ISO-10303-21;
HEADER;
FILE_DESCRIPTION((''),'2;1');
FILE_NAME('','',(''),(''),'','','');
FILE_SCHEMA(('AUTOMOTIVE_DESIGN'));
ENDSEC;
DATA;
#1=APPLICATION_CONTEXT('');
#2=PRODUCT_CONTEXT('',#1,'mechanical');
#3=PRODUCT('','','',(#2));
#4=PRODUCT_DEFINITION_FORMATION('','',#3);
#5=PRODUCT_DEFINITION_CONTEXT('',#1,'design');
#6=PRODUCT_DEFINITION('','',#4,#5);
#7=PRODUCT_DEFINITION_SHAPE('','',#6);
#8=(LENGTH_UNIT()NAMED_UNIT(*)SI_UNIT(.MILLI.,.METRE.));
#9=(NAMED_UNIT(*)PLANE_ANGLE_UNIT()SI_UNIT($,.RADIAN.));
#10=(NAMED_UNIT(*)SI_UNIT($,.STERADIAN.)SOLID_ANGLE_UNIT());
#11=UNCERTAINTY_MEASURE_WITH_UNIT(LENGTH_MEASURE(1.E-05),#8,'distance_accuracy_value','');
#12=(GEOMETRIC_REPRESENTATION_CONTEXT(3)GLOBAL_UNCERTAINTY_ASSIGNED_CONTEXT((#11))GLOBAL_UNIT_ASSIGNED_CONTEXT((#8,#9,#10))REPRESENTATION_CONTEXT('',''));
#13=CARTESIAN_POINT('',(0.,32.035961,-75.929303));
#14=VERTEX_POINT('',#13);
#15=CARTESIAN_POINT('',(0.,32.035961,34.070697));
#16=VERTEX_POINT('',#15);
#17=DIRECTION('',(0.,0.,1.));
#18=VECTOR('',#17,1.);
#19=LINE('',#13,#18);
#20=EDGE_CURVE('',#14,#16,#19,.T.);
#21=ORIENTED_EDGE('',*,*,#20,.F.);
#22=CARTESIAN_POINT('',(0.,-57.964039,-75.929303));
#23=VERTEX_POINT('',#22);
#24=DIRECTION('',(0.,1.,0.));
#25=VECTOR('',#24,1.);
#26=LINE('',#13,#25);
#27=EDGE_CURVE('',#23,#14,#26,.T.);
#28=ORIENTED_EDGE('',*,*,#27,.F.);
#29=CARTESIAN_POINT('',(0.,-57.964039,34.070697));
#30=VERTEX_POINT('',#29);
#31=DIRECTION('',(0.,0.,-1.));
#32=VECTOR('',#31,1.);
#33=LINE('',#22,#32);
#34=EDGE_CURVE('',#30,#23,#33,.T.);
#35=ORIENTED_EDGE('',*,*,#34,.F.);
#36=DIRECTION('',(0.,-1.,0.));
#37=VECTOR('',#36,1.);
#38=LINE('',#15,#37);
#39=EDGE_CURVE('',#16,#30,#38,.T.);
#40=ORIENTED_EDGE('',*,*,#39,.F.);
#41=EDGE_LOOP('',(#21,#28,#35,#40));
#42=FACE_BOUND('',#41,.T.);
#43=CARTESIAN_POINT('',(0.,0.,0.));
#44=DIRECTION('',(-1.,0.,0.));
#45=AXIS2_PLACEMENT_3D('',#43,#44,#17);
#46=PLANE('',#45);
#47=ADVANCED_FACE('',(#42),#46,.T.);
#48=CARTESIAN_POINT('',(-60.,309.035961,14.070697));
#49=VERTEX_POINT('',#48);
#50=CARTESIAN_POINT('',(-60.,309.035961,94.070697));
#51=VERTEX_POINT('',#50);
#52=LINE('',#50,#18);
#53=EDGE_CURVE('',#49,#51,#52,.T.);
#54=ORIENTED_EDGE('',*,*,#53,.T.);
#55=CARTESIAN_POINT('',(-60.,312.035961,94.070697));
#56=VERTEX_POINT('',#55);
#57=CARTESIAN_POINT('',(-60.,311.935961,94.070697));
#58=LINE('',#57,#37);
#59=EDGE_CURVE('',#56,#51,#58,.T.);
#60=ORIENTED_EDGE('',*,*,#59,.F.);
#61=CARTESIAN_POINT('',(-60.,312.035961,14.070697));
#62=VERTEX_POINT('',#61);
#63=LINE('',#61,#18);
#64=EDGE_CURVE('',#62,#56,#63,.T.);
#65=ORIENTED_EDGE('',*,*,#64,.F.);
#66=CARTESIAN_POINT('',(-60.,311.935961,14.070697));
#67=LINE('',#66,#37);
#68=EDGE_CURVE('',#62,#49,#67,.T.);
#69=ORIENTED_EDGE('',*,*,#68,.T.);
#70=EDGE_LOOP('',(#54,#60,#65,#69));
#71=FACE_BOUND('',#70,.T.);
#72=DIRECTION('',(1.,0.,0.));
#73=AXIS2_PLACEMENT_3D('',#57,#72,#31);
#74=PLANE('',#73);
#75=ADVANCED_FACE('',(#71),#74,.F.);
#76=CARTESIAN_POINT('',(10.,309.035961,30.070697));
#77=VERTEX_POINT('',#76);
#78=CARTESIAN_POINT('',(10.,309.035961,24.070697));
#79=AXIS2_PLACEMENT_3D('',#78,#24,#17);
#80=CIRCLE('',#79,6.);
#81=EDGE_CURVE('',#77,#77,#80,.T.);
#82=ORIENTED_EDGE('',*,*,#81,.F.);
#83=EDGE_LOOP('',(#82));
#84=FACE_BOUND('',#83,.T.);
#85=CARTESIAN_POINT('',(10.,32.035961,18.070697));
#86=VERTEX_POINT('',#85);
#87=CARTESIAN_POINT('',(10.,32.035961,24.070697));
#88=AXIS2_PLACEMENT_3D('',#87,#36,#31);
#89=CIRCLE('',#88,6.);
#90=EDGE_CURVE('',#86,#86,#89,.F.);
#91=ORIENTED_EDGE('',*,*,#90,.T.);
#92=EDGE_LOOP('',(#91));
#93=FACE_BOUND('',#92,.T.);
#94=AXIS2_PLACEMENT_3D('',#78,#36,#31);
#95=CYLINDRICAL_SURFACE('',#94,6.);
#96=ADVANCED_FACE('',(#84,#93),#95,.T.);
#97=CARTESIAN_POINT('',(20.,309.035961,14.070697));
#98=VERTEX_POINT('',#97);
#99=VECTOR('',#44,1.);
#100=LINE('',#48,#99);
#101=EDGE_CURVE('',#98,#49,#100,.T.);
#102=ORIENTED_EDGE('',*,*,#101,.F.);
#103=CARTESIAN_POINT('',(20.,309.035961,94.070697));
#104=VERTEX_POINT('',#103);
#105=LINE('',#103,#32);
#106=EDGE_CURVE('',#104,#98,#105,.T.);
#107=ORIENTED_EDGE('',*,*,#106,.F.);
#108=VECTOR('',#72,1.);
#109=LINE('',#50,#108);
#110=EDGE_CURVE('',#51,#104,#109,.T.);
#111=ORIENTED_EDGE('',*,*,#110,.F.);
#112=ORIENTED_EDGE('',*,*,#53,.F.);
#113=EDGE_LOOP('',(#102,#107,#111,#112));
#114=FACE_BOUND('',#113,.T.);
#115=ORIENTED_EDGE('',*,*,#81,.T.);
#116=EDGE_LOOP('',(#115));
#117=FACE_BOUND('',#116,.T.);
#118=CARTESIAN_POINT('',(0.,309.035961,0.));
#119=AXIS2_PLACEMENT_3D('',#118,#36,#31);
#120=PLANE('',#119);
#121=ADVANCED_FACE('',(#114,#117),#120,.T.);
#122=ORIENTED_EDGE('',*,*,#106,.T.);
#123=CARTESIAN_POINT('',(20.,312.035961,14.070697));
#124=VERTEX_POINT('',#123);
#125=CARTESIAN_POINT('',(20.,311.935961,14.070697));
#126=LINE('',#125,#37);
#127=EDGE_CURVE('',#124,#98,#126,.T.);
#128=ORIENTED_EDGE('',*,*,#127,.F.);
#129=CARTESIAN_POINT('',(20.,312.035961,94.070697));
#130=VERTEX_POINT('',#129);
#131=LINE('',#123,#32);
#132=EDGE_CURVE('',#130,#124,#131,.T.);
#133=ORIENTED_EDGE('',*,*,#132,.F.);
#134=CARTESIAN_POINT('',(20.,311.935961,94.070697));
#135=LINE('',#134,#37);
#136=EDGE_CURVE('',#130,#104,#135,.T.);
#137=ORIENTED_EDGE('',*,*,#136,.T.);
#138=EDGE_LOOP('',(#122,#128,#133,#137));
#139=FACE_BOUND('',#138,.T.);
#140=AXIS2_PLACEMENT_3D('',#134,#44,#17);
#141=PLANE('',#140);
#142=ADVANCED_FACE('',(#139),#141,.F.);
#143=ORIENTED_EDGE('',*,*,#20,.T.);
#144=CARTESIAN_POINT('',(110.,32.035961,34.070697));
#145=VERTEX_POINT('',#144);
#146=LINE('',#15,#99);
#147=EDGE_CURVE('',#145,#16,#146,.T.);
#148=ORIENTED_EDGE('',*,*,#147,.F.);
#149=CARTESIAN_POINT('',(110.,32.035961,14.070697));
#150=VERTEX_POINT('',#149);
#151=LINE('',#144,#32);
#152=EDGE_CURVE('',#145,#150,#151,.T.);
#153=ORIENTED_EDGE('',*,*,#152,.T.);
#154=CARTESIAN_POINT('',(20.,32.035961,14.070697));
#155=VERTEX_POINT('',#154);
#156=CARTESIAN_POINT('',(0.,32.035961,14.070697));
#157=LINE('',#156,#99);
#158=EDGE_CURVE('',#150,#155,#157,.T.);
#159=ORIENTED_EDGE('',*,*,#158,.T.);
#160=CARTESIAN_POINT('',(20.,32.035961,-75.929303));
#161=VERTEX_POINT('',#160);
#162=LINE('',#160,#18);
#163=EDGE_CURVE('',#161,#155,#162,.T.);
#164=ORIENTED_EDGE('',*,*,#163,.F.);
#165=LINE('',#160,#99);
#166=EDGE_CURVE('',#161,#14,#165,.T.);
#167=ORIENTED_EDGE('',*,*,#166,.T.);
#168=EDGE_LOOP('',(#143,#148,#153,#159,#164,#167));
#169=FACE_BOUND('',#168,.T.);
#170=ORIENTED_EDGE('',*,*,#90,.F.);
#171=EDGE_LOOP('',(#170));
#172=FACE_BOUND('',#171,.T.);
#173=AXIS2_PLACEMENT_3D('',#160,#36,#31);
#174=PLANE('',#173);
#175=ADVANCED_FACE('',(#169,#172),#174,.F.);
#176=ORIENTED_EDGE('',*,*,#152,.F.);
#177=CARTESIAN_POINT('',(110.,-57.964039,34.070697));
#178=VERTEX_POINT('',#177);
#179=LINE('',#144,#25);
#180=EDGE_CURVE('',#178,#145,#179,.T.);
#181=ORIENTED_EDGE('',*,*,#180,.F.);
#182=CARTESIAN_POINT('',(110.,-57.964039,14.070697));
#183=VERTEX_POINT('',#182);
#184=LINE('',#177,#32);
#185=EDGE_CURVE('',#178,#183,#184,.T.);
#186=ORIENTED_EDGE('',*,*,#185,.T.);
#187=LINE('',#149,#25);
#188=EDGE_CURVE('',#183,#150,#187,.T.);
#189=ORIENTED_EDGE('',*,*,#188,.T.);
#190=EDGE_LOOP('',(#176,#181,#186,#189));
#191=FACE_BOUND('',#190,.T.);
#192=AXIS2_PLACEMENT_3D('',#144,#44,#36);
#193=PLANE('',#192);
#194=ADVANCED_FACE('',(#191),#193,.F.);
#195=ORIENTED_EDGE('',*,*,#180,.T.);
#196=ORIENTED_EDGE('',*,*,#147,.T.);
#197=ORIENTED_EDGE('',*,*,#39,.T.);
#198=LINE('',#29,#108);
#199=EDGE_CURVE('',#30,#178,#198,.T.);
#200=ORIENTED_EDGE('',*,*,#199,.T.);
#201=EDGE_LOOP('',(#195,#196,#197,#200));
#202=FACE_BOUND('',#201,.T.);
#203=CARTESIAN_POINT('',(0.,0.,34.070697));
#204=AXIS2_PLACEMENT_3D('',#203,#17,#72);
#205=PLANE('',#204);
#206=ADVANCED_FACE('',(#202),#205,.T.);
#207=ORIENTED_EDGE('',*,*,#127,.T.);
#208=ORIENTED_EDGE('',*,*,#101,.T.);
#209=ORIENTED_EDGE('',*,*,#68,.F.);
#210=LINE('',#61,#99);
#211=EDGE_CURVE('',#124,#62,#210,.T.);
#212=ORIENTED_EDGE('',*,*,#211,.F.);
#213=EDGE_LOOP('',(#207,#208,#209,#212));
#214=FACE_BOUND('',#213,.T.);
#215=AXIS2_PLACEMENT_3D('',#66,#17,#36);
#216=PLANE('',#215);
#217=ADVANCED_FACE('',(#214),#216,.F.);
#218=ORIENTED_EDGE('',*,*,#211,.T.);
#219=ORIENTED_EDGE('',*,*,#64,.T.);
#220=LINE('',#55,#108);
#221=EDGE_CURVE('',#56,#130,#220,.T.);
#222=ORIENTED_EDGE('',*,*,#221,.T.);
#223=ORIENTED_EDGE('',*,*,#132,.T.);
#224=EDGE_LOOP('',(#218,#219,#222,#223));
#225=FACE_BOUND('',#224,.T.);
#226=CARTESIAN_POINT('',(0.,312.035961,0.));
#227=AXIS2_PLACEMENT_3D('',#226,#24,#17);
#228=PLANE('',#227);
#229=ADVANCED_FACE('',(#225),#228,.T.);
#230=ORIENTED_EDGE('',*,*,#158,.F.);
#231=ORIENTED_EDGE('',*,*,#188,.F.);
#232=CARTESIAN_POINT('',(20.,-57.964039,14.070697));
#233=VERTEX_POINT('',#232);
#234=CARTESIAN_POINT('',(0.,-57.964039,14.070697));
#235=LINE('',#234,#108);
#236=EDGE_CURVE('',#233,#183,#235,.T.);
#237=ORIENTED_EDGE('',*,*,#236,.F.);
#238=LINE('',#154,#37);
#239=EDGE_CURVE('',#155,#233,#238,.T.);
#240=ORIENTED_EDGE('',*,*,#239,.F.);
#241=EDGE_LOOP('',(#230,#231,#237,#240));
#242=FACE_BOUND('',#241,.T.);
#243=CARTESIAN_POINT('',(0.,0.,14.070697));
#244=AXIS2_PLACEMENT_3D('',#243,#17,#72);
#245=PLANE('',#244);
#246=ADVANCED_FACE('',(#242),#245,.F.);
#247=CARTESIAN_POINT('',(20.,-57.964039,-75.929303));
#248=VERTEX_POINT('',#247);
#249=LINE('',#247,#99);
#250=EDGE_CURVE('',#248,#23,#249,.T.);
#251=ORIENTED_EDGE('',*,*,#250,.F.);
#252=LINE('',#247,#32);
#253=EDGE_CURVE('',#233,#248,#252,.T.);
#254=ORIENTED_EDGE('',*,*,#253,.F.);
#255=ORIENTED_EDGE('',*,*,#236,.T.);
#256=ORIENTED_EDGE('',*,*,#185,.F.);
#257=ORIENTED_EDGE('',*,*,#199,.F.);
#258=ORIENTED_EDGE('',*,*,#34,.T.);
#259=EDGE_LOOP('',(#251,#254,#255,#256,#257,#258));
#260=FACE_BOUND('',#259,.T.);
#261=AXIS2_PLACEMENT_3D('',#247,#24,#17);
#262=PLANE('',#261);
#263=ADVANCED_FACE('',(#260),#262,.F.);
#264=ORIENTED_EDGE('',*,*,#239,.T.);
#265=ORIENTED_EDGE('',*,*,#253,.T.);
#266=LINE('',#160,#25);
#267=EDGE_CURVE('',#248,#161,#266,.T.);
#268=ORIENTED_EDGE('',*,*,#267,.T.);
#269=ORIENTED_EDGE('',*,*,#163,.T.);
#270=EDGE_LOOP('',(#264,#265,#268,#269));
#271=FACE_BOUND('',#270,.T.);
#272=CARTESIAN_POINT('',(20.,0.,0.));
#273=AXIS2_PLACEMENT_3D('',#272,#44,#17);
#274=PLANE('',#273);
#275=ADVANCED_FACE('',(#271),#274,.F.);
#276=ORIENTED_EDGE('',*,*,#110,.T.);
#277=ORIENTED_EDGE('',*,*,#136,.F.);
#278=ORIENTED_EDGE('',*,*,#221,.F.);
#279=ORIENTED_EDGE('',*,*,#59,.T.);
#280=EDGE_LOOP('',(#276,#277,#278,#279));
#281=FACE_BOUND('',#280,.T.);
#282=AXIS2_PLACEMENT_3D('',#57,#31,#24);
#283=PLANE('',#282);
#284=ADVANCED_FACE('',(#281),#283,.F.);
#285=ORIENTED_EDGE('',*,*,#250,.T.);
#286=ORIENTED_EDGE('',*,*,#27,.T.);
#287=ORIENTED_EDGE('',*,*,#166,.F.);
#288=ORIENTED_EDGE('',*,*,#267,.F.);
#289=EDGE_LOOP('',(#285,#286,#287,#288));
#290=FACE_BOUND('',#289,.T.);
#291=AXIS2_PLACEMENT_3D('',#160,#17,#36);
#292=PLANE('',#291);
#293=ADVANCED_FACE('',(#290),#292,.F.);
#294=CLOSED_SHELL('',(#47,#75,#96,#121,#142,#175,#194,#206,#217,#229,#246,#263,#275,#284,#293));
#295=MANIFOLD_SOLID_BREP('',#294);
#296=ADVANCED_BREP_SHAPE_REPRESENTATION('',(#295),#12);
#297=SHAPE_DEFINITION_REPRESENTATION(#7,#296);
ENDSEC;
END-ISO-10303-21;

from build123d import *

# Parameters (mm, degrees)
ESQUISSE1_W        = 90
ESQUISSE1_H        = 90
BOSS_EXTRU_1_DEPTH = 20
ESQUISSE5_W        = 110
ESQUISSE5_H        = 90
BOSS_EXTRU_5_DEPTH = 20
ESQUISSE2_R        = 6
BOSS_EXTRU_2_DEPTH = 277
ESQUISSE3_W        = 80
ESQUISSE3_H        = 80
BOSS_EXTRU_3_DEPTH = 2.9
ESQUISSE4_W        = 80
ESQUISSE4_H        = 80
BOSS_EXTRU_4_DEPTH = 0.1


with BuildPart() as part:
    # Esquisse1 → Boss.-Extru.1 (new body)
    with BuildSketch(Plane(origin=(0, 0, 0), x_dir=(0, 0, -1), z_dir=(1, 0, 0))):
        with Locations((30.929303344, -12.964038863)):
            Rectangle(ESQUISSE1_W, ESQUISSE1_H)
    extrude(amount=BOSS_EXTRU_1_DEPTH)

    # Esquisse5 → Boss.-Extru.5 (add)
    with BuildSketch(Plane.XY.offset(14.070696656)):
        with Locations((55, -12.964038863)):
            Rectangle(ESQUISSE5_W, ESQUISSE5_H)
    extrude(amount=BOSS_EXTRU_5_DEPTH)

    # Esquisse2 → Boss.-Extru.2 (add)
    with BuildSketch(Plane(origin=(0, 32.035961137, 0), x_dir=(1, 0, 0), z_dir=(0, 1, 0))):
        with Locations(Location((10, -24.070696656, 0), (0, 0, 90))):
            Circle(ESQUISSE2_R)
    extrude(amount=BOSS_EXTRU_2_DEPTH)

    # Esquisse3 → Boss.-Extru.3 (add)
    with BuildSketch(Plane(origin=(0, 309.035961137, 0), x_dir=(1, 0, 0), z_dir=(0, 1, 0))):
        with Locations((-20, -54.070696656)):
            Rectangle(ESQUISSE3_W, ESQUISSE3_H)
    extrude(amount=BOSS_EXTRU_3_DEPTH)

    # Esquisse4 → Boss.-Extru.4 (add)
    with BuildSketch(Plane(origin=(0, 311.935961137, 0), x_dir=(1, 0, 0), z_dir=(0, 1, 0))):
        with Locations((-20, -54.070696656)):
            Rectangle(ESQUISSE4_W, ESQUISSE4_H)
    extrude(amount=BOSS_EXTRU_4_DEPTH)


solid = part.part
